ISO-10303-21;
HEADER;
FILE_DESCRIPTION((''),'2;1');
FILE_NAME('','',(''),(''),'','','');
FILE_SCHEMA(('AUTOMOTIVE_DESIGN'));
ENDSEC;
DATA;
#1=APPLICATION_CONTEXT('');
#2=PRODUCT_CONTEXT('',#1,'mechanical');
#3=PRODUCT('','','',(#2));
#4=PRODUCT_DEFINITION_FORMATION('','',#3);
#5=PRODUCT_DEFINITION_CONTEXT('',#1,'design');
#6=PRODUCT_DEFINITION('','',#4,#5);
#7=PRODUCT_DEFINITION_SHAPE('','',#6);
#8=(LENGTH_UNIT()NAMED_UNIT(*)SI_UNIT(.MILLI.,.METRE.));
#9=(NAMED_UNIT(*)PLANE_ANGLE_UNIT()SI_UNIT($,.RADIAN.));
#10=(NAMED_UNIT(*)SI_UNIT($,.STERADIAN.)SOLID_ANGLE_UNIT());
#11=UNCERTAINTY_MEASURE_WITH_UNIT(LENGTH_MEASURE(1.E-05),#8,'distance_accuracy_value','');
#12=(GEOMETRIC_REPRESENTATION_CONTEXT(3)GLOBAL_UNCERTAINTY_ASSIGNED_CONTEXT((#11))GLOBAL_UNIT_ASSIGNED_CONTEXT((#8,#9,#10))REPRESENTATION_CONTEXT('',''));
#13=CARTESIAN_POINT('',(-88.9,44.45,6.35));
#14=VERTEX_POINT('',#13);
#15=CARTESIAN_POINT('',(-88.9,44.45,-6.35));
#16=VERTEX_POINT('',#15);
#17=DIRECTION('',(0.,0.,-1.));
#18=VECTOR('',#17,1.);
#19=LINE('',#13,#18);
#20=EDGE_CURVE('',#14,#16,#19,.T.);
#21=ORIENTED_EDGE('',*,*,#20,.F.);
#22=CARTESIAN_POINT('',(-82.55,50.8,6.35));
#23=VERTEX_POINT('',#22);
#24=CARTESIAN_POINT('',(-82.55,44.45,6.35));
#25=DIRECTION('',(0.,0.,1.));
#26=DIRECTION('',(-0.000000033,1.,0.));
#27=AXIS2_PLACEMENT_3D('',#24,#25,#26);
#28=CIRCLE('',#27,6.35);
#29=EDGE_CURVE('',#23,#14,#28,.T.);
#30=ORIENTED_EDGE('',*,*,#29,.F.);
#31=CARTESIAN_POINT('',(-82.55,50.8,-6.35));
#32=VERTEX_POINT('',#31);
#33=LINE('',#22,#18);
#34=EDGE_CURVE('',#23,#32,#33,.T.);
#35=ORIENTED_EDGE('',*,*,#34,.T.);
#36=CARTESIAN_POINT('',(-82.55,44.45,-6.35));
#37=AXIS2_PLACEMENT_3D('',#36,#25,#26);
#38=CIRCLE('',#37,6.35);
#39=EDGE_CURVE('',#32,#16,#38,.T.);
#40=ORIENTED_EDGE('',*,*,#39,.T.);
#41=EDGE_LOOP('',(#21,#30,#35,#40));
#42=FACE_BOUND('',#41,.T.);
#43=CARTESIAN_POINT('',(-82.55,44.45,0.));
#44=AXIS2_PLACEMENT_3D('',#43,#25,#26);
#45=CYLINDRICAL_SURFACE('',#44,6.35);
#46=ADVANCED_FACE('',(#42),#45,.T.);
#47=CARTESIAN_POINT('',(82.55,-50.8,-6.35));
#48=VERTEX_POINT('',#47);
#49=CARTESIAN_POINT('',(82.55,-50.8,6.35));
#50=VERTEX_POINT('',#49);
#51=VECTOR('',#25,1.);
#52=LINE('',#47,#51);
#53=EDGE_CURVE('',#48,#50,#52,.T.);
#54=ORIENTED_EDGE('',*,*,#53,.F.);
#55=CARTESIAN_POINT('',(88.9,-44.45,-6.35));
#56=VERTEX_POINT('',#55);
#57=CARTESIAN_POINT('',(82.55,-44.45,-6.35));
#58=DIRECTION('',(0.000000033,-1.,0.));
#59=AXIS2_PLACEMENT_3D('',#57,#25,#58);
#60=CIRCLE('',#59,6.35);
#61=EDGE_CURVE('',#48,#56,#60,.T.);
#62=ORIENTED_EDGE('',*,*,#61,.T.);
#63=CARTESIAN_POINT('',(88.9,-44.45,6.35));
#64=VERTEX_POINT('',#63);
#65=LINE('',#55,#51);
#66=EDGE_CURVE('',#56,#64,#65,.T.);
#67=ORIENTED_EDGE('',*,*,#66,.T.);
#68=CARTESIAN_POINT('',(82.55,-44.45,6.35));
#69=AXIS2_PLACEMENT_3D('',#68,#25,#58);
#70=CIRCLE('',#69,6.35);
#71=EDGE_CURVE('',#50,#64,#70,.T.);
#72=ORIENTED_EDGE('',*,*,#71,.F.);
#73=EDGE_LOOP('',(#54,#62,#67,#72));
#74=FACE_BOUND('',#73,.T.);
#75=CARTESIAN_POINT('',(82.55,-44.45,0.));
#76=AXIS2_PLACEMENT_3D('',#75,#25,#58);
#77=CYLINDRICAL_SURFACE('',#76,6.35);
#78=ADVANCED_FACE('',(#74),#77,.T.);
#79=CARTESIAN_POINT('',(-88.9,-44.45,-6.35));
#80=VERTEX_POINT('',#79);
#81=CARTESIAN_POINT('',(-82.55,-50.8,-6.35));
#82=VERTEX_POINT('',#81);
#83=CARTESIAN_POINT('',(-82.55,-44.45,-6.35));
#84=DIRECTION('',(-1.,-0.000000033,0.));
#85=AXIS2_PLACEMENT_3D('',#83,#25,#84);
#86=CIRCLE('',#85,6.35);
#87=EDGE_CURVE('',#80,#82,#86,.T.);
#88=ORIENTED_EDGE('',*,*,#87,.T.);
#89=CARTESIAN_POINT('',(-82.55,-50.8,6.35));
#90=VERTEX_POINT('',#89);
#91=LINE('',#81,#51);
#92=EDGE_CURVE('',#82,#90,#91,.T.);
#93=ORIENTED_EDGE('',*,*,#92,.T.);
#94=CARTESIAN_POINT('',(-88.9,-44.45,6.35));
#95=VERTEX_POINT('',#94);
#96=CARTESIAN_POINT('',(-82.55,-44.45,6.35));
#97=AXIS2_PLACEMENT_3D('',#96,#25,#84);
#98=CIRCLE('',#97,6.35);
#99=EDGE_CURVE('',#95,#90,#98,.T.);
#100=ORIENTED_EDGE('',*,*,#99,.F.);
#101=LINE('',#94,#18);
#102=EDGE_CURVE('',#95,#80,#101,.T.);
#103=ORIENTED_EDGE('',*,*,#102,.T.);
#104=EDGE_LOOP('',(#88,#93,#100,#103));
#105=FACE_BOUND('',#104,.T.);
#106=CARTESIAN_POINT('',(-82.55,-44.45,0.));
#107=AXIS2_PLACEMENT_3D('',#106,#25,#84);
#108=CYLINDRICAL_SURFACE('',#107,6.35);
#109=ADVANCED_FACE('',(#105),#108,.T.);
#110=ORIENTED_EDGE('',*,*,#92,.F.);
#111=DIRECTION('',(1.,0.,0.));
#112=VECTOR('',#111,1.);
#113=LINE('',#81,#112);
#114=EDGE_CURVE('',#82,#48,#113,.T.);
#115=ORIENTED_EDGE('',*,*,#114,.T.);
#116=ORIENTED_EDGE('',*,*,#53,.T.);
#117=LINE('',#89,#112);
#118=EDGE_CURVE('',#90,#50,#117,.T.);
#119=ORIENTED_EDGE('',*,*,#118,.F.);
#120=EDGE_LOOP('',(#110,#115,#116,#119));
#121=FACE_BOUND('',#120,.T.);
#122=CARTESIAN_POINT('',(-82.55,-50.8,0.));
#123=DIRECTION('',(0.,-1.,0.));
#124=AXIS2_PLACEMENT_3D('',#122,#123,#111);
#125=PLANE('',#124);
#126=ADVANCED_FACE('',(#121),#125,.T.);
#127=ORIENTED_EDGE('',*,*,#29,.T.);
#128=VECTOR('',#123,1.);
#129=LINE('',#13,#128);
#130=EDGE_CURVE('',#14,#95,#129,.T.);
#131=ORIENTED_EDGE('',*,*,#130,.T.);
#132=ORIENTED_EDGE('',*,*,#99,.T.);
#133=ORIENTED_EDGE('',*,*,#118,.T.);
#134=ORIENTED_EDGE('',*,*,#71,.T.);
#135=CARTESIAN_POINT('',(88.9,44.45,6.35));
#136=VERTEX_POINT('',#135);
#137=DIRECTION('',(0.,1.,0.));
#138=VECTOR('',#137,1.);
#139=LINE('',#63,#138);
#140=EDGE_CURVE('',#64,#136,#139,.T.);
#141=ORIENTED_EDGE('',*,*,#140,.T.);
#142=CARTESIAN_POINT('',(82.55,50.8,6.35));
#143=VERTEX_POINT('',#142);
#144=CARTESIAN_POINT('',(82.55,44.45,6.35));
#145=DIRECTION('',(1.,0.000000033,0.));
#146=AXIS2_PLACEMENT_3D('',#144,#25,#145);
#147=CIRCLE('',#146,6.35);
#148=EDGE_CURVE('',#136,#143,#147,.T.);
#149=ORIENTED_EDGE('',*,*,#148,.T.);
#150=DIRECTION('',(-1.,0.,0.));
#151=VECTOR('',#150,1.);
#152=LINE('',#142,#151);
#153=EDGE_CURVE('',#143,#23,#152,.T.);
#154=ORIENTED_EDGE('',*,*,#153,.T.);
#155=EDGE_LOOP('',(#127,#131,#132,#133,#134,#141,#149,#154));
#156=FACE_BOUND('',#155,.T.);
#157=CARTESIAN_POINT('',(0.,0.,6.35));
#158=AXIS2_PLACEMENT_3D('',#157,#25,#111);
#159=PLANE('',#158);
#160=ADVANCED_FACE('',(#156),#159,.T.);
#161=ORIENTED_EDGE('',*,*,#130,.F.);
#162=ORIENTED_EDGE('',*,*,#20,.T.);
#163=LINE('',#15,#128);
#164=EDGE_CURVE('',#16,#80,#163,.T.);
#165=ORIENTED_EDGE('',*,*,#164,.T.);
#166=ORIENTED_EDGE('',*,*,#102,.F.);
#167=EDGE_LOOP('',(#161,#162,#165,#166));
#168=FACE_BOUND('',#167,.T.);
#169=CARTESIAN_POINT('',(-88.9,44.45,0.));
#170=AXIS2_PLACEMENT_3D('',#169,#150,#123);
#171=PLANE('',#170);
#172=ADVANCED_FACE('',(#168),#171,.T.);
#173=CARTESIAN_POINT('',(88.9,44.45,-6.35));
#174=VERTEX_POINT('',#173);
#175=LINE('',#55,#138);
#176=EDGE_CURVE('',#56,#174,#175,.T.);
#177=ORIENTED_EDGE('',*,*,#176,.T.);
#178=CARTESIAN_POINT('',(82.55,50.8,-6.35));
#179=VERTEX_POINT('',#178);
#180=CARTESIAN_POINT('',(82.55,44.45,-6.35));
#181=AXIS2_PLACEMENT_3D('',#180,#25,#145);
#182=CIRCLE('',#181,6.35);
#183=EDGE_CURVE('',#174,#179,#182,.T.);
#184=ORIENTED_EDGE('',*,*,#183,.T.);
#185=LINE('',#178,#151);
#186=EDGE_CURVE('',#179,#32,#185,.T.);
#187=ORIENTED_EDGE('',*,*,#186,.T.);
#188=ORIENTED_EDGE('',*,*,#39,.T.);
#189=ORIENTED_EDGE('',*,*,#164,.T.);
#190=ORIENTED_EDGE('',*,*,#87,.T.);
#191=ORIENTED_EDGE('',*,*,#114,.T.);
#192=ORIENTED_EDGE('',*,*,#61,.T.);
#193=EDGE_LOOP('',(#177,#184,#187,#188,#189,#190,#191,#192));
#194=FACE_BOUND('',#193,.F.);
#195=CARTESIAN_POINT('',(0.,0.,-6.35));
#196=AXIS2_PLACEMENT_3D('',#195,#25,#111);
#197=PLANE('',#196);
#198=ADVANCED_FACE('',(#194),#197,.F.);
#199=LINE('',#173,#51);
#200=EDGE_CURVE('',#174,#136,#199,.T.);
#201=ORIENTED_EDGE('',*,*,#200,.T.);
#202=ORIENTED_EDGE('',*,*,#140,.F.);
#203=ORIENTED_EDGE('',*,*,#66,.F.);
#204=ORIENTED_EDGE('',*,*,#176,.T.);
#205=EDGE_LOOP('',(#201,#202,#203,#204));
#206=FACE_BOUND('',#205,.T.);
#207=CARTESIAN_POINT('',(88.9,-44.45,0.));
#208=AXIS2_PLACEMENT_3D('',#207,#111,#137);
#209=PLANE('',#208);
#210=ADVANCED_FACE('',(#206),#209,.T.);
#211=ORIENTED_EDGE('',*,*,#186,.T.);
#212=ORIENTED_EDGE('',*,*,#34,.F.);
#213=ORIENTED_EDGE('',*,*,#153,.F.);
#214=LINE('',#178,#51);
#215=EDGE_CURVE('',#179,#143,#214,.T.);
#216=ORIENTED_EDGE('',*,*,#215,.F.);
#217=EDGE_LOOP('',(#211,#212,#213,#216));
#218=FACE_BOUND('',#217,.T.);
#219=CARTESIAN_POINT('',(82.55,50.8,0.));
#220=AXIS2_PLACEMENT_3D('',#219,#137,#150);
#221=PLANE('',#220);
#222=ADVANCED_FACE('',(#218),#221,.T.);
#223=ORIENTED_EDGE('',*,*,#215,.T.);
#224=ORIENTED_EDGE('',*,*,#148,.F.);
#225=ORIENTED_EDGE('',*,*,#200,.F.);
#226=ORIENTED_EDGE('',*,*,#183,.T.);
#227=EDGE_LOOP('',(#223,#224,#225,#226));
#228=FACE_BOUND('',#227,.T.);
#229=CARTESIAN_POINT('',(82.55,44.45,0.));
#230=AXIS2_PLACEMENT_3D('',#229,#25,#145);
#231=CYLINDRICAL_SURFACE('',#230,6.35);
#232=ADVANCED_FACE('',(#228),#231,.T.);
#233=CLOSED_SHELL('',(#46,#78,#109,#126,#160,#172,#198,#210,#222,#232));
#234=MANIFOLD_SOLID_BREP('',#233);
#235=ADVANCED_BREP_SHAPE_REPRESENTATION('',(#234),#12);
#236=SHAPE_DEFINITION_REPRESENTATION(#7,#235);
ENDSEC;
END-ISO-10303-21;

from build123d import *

# Parameters (mm, degrees)
F1_DEPTH = 6.35


with BuildPart() as f1:
    # F0 (on Top) → F1 (new body, symmetric)
    with BuildSketch(Plane.XY):
        with BuildLine():
            ThreePointArc((-88.9, -44.45), (-87.040128, -48.940128), (-82.55, -50.8))
            Line((-82.55, -50.8), (82.55, -50.8))
            ThreePointArc((82.55, -50.8), (87.040128, -48.940128), (88.9, -44.45))
            Line((88.9, -44.45), (88.9, 44.45))
            ThreePointArc((88.9, 44.45), (87.040128, 48.940128), (82.55, 50.8))
            Line((82.55, 50.8), (-82.55, 50.8))
            ThreePointArc((-82.55, 50.8), (-87.040128, 48.940128), (-88.9, 44.45))
            Line((-88.9, 44.45), (-88.9, -44.45))
        make_face()
    extrude(amount=F1_DEPTH, both=True)


solid = f1.part
